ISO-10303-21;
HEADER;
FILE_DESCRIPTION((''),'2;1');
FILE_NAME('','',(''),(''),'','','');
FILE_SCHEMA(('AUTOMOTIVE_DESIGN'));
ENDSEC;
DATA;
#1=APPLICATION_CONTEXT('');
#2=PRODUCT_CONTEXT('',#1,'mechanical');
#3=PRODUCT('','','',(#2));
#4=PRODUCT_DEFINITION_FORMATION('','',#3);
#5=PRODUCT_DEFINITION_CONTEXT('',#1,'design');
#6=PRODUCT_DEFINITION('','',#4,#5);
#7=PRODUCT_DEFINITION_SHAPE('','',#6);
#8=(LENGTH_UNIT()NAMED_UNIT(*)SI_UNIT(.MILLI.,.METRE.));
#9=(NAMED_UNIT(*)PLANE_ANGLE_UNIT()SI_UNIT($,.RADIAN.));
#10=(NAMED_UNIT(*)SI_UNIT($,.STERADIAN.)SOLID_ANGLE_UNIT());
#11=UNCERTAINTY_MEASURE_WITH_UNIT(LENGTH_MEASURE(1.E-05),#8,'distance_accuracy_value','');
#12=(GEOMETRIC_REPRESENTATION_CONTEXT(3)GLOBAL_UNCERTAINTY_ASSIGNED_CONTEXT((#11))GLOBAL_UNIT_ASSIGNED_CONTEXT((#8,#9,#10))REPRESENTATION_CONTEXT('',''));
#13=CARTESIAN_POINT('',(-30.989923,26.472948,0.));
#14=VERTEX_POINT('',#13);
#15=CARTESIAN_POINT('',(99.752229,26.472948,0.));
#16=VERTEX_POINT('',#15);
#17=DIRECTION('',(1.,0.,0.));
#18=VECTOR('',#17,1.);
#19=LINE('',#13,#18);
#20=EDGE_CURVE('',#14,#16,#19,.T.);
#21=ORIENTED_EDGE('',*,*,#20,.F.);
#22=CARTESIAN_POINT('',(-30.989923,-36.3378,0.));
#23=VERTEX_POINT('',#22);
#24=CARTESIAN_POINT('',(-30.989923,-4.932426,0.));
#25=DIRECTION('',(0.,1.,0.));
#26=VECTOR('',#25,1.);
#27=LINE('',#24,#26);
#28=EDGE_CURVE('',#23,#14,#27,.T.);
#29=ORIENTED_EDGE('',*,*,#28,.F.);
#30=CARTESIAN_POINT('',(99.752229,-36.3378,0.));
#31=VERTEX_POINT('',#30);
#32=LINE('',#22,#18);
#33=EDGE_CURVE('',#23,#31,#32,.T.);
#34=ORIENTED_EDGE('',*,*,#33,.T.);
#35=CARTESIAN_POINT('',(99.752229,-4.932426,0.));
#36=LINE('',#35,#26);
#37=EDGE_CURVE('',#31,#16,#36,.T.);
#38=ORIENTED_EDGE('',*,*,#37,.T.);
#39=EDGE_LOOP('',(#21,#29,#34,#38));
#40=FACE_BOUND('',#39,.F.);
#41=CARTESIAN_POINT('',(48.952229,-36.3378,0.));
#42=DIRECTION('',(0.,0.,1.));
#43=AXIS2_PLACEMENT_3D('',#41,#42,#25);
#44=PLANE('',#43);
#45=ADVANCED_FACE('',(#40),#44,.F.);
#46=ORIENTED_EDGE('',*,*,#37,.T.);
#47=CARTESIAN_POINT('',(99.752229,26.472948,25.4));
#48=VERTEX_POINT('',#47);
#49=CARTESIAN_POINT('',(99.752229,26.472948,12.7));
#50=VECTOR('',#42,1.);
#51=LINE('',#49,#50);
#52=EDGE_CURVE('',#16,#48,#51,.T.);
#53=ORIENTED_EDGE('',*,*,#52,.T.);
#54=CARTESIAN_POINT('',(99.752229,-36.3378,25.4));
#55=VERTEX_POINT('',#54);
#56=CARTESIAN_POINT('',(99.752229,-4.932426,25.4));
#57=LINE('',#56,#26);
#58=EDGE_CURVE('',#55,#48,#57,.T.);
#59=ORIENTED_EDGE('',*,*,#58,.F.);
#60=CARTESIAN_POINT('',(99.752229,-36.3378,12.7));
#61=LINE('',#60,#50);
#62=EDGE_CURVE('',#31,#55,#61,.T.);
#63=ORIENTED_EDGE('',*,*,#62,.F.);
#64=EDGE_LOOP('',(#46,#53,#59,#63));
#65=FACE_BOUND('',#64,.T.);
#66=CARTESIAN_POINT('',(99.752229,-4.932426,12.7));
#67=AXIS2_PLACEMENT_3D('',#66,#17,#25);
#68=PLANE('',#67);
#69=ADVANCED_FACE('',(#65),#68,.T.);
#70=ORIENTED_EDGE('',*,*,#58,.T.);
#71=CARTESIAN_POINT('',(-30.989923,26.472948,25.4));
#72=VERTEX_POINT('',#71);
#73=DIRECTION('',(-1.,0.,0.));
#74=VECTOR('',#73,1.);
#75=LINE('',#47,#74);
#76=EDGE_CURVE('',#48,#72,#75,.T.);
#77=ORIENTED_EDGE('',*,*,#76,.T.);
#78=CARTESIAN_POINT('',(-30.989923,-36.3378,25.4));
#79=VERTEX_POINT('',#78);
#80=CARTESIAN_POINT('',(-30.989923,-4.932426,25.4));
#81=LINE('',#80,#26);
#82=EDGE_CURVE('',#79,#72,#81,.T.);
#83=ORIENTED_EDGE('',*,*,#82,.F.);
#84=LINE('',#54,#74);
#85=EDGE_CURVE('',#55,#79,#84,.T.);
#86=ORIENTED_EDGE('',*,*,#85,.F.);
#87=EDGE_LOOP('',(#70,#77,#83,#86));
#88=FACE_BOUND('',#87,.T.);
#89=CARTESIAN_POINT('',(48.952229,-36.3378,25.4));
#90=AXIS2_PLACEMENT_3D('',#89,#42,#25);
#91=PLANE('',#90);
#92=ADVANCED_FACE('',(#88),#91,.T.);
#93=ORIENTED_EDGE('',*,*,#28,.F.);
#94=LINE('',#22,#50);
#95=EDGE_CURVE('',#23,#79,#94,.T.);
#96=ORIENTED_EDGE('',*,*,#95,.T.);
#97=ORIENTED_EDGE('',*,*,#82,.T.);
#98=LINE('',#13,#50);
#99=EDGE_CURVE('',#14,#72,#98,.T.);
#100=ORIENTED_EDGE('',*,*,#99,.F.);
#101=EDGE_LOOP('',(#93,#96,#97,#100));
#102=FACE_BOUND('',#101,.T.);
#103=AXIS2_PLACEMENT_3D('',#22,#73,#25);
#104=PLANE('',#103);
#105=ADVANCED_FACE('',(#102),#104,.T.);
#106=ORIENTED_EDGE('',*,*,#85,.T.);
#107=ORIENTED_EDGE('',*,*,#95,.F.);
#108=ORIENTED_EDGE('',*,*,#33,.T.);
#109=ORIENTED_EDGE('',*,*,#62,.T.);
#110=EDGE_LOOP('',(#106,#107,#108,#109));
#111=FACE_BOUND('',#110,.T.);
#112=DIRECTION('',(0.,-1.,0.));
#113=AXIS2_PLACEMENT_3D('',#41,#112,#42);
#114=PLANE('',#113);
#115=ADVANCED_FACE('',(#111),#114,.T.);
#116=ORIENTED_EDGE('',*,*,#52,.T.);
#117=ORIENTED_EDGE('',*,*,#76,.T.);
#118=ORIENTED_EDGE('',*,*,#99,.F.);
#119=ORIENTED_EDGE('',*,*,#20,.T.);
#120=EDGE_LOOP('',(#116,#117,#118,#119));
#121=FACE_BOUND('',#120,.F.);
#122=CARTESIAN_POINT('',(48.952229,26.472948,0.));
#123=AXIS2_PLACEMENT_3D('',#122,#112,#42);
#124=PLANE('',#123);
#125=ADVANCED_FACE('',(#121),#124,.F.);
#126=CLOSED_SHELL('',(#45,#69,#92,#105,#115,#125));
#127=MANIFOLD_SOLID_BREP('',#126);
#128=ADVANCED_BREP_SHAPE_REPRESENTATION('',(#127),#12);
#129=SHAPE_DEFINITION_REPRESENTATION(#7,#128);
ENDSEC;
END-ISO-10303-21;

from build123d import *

# Parameters (mm, degrees)
F0_W     = 79.9421519041
F0_H     = 62.8107488155
F1_DEPTH = 25.4
F4_W     = 62.8107488155
F4_H     = 25.4
F5_DEPTH = 25.4
F2_W     = 62.8107488155
F2_H     = 25.4
F6_DEPTH = 25.4


with BuildPart() as f1:
    # F0 (on Top) → F1 (new body)
    with BuildSketch(Plane.XY):
        with Locations((8.9811533689, -4.9324259162)):
            Rectangle(F0_W, F0_H)
    extrude(amount=F1_DEPTH)



with BuildPart() as f5:
    # F4 (on offset) → F5 (new body)
    with BuildSketch(Plane.YZ.offset(74.352229321)):
        with Locations((-4.9324259162, 12.7)):
            Rectangle(F4_W, F4_H)
    extrude(amount=F5_DEPTH)


with BuildPart() as f1_1:
    add(f1.part)

    add(f5.part)  # F6 merges F5
    # F2 (on face) → F6 (join, through all)
    with BuildSketch(Plane.YZ.offset(48.952229321)):
        with Locations((-4.9324259162, 12.7)):
            Rectangle(F2_W, F2_H)
    extrude(amount=F6_DEPTH)


solid = f1_1.part
